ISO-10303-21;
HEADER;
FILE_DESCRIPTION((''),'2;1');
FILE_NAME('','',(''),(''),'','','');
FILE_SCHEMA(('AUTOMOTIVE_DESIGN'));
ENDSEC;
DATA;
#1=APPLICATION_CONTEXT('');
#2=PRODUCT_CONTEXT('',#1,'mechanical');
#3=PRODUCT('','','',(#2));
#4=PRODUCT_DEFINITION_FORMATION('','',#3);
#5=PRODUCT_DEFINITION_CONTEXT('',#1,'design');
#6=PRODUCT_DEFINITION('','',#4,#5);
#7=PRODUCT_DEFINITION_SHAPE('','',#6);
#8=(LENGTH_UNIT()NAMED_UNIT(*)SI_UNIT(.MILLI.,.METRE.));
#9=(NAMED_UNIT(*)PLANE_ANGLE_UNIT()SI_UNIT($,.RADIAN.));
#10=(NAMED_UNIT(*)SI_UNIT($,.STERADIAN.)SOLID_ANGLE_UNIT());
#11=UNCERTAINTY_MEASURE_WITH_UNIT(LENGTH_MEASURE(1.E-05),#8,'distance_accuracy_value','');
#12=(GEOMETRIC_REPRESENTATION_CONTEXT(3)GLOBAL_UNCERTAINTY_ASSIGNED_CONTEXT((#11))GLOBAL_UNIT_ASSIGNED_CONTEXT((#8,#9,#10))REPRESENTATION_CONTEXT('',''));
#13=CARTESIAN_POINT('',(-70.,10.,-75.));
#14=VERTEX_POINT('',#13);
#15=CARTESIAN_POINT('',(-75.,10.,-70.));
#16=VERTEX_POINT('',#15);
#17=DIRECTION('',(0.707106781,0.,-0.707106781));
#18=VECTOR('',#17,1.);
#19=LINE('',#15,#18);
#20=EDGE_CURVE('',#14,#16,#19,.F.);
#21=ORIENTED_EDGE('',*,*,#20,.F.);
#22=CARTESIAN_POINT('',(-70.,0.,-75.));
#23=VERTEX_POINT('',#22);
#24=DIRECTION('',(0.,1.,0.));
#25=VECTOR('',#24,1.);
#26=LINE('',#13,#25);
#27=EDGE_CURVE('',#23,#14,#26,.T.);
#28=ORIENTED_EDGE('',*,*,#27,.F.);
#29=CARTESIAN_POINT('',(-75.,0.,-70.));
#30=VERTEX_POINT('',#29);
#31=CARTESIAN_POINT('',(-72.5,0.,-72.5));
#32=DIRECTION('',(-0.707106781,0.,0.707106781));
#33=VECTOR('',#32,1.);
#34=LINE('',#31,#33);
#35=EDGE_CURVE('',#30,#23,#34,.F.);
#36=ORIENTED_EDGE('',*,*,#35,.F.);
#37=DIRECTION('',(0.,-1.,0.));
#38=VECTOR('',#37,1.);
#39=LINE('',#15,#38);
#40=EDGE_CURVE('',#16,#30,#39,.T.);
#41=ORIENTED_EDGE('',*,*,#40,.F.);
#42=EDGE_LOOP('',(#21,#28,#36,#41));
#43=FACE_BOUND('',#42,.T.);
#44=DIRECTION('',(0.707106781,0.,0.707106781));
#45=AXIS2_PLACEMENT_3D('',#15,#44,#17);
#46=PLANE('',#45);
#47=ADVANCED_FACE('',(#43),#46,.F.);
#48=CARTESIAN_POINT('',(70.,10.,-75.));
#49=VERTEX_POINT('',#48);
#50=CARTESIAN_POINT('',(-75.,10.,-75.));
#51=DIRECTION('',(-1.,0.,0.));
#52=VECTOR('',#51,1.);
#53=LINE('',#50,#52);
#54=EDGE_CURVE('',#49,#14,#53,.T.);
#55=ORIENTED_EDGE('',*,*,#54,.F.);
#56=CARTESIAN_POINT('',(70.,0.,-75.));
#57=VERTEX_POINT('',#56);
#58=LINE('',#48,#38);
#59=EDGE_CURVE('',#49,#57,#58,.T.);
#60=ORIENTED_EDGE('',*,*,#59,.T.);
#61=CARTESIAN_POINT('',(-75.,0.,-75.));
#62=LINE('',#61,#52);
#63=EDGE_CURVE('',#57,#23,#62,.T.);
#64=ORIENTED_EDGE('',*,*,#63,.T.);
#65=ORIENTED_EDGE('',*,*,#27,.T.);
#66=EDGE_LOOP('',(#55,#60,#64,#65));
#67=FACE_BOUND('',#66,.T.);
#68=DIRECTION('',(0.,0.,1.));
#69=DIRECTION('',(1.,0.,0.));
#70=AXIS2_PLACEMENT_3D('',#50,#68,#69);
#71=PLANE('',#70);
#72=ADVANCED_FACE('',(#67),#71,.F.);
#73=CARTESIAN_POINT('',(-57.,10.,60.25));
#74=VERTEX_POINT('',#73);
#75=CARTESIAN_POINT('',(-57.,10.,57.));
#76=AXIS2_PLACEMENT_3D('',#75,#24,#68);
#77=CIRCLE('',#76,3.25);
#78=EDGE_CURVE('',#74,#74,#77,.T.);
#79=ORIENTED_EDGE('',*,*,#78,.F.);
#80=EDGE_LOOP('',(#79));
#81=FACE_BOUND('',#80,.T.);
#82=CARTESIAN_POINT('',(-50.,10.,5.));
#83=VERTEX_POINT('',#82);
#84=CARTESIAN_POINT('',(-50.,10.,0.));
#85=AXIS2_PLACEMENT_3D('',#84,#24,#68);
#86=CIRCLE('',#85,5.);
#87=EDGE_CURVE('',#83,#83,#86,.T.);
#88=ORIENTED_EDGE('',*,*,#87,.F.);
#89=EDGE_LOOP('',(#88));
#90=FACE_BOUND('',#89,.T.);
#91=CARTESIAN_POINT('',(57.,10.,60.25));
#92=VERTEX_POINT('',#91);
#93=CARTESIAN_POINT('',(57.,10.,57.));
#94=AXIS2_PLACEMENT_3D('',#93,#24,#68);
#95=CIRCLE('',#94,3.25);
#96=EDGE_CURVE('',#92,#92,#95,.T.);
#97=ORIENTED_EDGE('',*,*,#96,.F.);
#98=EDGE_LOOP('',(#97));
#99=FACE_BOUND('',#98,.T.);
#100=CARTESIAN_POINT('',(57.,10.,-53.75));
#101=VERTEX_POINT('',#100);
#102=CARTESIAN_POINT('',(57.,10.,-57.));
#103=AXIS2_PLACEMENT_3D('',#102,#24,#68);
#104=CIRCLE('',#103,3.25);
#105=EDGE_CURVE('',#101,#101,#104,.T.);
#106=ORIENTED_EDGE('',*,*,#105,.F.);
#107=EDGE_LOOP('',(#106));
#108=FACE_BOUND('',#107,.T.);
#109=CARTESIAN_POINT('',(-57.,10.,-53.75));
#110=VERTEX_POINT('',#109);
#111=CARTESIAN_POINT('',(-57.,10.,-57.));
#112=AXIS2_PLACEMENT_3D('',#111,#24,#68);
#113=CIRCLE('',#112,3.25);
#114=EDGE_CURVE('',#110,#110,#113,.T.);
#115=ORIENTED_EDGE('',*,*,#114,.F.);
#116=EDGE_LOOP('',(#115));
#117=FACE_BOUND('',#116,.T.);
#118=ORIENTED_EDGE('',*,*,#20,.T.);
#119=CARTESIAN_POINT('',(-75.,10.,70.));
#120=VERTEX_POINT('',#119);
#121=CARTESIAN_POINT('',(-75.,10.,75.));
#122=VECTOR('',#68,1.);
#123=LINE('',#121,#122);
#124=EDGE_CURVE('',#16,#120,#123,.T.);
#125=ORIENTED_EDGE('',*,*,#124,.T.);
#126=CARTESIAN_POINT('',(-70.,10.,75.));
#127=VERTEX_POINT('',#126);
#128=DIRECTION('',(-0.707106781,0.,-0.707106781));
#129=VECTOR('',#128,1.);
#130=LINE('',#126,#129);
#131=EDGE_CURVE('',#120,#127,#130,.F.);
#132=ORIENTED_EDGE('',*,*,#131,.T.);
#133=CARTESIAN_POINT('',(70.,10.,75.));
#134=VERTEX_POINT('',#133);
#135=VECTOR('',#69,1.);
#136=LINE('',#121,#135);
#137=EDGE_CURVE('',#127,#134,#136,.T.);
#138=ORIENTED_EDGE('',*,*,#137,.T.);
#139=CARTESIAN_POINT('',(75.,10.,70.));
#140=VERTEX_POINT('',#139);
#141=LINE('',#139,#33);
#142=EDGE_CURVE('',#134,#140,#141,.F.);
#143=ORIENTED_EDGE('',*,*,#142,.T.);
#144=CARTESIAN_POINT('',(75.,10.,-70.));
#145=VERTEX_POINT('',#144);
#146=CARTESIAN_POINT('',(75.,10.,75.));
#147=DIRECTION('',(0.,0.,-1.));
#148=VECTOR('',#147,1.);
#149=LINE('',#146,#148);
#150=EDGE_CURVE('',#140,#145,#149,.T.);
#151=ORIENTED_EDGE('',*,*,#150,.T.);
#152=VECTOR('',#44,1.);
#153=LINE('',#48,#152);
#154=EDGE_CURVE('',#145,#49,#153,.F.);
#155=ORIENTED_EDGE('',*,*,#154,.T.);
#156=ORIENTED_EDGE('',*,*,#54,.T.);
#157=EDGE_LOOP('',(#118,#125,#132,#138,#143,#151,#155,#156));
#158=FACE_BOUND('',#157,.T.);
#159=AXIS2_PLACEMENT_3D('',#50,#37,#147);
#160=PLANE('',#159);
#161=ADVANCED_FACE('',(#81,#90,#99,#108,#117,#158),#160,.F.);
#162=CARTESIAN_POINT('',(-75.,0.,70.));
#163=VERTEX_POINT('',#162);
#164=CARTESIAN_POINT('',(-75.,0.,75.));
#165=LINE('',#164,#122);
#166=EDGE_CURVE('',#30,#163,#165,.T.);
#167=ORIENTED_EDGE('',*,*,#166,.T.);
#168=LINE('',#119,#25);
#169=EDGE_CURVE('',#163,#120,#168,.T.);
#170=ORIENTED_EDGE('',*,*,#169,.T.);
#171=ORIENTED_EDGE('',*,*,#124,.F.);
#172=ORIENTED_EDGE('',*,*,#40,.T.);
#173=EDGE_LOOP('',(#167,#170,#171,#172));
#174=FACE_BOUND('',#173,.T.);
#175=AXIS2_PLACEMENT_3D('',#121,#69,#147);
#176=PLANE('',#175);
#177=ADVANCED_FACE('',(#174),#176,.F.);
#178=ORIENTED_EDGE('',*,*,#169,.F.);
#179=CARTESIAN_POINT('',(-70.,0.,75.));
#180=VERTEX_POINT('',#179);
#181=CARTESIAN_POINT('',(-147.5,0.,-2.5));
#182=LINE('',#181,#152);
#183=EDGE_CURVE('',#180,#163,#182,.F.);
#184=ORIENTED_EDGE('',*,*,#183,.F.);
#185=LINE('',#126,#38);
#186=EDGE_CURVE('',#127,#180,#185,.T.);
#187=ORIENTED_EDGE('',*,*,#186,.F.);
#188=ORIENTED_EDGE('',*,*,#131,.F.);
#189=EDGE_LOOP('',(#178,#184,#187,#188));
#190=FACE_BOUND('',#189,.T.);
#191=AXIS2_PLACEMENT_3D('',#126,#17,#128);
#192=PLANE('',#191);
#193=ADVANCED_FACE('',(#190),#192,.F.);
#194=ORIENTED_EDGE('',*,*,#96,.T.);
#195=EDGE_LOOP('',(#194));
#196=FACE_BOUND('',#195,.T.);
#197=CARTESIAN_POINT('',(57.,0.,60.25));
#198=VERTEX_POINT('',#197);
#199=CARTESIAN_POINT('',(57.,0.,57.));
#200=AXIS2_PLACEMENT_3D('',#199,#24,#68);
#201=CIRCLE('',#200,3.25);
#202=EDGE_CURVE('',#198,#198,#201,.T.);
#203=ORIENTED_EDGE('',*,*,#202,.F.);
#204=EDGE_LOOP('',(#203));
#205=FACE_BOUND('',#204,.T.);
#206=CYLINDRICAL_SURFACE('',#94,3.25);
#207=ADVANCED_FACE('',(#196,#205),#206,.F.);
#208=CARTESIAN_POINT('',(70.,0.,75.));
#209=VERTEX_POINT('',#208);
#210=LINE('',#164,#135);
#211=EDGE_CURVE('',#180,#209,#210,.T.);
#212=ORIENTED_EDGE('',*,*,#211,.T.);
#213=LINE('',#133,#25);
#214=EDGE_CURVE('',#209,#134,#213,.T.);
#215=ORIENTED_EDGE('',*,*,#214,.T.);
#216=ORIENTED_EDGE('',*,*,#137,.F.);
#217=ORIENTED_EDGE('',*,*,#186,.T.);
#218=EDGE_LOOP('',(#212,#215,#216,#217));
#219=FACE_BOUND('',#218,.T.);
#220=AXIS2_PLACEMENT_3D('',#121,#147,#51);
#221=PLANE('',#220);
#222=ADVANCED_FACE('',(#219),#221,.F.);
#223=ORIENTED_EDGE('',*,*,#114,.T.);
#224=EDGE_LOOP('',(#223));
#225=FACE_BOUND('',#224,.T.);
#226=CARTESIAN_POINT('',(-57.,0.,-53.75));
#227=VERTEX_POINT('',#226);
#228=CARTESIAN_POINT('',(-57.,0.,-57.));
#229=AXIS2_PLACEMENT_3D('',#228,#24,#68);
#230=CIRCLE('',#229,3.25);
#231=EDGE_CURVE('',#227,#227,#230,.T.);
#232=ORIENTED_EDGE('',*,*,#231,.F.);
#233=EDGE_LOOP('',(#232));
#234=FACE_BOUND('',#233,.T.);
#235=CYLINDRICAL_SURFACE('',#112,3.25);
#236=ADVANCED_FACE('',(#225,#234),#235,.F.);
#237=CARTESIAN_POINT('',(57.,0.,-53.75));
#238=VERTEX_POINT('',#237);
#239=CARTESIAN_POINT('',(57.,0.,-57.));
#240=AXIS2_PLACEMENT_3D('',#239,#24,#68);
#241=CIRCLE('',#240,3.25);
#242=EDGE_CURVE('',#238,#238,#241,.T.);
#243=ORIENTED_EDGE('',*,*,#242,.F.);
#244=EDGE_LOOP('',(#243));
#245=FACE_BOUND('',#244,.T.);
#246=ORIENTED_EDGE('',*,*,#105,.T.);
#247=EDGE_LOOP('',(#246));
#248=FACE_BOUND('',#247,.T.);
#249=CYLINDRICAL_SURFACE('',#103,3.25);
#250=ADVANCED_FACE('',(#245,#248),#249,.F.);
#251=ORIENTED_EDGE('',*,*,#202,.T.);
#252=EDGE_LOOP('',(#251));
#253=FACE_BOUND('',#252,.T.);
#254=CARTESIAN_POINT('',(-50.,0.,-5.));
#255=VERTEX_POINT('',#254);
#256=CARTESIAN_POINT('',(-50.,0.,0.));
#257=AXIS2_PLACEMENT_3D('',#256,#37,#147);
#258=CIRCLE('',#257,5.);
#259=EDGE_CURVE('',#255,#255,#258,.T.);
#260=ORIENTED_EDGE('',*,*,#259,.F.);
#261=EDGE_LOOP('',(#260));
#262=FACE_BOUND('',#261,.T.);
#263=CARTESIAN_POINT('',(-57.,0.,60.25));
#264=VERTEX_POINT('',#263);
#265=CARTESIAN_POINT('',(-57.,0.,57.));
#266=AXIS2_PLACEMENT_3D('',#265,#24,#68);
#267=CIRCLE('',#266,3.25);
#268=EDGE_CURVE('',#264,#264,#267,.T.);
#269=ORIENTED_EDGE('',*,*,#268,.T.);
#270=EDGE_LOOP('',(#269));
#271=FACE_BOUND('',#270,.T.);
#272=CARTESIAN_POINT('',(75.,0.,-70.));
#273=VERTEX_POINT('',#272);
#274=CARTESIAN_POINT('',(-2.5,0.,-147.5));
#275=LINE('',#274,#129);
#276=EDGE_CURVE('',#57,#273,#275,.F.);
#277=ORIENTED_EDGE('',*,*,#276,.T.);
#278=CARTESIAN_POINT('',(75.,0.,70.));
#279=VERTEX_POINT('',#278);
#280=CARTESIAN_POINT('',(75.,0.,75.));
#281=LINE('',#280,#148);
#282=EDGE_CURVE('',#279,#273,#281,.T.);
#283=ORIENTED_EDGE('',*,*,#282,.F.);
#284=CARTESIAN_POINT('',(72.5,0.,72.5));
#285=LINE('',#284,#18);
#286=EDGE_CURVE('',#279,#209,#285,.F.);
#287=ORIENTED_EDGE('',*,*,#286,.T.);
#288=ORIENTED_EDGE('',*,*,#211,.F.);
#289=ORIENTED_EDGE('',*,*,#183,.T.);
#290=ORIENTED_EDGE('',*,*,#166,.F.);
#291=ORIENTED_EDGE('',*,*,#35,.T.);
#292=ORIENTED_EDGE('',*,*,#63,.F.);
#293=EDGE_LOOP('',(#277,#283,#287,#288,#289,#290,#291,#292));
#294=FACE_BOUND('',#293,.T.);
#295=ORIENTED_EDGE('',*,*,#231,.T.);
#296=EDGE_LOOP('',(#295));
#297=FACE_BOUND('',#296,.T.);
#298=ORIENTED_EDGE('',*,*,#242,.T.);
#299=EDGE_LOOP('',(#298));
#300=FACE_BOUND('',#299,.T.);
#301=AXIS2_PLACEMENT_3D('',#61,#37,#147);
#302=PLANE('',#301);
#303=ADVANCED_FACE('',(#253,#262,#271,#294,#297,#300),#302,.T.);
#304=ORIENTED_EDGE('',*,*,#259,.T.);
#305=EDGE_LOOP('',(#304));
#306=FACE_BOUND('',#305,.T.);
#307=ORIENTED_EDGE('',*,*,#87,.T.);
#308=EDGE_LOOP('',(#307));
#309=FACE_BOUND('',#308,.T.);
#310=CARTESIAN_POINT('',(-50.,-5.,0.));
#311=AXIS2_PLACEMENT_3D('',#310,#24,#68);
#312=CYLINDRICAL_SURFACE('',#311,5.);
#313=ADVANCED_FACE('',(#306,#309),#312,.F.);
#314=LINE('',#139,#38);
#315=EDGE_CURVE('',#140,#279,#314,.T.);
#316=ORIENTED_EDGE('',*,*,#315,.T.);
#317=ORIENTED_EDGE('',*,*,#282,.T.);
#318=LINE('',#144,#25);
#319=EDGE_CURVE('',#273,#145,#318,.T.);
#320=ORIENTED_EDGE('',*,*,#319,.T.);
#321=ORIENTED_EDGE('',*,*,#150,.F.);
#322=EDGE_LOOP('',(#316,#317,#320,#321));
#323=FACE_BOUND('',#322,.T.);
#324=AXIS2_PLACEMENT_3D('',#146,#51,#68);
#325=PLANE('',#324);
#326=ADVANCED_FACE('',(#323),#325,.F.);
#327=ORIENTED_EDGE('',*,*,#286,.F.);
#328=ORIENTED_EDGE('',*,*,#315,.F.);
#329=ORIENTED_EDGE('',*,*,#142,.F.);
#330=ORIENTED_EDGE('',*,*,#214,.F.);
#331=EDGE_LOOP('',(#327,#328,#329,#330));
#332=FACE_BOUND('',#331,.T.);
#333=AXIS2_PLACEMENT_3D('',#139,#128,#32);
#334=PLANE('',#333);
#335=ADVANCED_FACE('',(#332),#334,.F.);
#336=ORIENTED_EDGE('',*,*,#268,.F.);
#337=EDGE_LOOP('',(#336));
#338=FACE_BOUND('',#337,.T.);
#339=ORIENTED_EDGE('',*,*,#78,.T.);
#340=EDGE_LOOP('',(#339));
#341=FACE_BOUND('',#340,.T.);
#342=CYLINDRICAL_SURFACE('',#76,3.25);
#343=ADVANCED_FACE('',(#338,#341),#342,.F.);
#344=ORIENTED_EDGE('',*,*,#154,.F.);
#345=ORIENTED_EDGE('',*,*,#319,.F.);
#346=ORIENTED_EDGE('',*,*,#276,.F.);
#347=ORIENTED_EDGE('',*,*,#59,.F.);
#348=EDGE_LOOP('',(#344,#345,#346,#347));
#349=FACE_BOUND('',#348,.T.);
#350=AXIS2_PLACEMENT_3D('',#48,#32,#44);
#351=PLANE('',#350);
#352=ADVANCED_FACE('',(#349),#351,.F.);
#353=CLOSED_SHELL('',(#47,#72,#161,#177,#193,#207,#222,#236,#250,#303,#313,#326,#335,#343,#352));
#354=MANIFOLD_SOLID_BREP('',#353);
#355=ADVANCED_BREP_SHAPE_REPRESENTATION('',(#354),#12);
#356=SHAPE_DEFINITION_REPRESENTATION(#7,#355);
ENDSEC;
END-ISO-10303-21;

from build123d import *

# Parameters (mm, degrees)
SKETCH1_W            = 150
SKETCH1_H            = 150
BOSS_EXTRUDE1_DEPTH  = 10
CHAMFER1_SIZE        = 5
M6_CLEARANCE_HOLE1_D = 6.5
SKETCH2_R            = 5
CUT_EXTRUDE1_DEPTH   = 15


with BuildPart() as part:
    # Sketch1 → Boss-Extrude1 (new body)
    with BuildSketch(Plane(origin=(0, 0, 0), x_dir=(1, 0, 0), z_dir=(0, 1, 0))):
        Rectangle(SKETCH1_W, SKETCH1_H)
    extrude(amount=BOSS_EXTRUDE1_DEPTH)

    # Chamfer1
    chamfer1_edges = [part.edges().sort_by_distance(p)[0] for p in [
        (-75, 5, -75),
        (75, 5, -75),
        (75, 5, 75),
        (-75, 5, 75),
    ]]
    chamfer(chamfer1_edges, length=CHAMFER1_SIZE)

    # M6 Clearance Hole1 (through all)
    with Locations(Plane(origin=(0, 10, 0), x_dir=(-1, 0, 0), z_dir=(0, 1, 0))):
        with Locations((57, -57), (-57, -57), (57, 57), (-57, 57)):
            Hole(M6_CLEARANCE_HOLE1_D / 2)

    # Sketch2 → Cut-Extrude1 (cut)
    with BuildSketch(Plane(origin=(0, 10, 0), x_dir=(1, 0, 0), z_dir=(0, 1, 0))):
        with Locations(Location((-50, 0, 0), (0, 0, 270))):
            Circle(SKETCH2_R)
    extrude(amount=-CUT_EXTRUDE1_DEPTH, mode=Mode.SUBTRACT)


solid = part.part
